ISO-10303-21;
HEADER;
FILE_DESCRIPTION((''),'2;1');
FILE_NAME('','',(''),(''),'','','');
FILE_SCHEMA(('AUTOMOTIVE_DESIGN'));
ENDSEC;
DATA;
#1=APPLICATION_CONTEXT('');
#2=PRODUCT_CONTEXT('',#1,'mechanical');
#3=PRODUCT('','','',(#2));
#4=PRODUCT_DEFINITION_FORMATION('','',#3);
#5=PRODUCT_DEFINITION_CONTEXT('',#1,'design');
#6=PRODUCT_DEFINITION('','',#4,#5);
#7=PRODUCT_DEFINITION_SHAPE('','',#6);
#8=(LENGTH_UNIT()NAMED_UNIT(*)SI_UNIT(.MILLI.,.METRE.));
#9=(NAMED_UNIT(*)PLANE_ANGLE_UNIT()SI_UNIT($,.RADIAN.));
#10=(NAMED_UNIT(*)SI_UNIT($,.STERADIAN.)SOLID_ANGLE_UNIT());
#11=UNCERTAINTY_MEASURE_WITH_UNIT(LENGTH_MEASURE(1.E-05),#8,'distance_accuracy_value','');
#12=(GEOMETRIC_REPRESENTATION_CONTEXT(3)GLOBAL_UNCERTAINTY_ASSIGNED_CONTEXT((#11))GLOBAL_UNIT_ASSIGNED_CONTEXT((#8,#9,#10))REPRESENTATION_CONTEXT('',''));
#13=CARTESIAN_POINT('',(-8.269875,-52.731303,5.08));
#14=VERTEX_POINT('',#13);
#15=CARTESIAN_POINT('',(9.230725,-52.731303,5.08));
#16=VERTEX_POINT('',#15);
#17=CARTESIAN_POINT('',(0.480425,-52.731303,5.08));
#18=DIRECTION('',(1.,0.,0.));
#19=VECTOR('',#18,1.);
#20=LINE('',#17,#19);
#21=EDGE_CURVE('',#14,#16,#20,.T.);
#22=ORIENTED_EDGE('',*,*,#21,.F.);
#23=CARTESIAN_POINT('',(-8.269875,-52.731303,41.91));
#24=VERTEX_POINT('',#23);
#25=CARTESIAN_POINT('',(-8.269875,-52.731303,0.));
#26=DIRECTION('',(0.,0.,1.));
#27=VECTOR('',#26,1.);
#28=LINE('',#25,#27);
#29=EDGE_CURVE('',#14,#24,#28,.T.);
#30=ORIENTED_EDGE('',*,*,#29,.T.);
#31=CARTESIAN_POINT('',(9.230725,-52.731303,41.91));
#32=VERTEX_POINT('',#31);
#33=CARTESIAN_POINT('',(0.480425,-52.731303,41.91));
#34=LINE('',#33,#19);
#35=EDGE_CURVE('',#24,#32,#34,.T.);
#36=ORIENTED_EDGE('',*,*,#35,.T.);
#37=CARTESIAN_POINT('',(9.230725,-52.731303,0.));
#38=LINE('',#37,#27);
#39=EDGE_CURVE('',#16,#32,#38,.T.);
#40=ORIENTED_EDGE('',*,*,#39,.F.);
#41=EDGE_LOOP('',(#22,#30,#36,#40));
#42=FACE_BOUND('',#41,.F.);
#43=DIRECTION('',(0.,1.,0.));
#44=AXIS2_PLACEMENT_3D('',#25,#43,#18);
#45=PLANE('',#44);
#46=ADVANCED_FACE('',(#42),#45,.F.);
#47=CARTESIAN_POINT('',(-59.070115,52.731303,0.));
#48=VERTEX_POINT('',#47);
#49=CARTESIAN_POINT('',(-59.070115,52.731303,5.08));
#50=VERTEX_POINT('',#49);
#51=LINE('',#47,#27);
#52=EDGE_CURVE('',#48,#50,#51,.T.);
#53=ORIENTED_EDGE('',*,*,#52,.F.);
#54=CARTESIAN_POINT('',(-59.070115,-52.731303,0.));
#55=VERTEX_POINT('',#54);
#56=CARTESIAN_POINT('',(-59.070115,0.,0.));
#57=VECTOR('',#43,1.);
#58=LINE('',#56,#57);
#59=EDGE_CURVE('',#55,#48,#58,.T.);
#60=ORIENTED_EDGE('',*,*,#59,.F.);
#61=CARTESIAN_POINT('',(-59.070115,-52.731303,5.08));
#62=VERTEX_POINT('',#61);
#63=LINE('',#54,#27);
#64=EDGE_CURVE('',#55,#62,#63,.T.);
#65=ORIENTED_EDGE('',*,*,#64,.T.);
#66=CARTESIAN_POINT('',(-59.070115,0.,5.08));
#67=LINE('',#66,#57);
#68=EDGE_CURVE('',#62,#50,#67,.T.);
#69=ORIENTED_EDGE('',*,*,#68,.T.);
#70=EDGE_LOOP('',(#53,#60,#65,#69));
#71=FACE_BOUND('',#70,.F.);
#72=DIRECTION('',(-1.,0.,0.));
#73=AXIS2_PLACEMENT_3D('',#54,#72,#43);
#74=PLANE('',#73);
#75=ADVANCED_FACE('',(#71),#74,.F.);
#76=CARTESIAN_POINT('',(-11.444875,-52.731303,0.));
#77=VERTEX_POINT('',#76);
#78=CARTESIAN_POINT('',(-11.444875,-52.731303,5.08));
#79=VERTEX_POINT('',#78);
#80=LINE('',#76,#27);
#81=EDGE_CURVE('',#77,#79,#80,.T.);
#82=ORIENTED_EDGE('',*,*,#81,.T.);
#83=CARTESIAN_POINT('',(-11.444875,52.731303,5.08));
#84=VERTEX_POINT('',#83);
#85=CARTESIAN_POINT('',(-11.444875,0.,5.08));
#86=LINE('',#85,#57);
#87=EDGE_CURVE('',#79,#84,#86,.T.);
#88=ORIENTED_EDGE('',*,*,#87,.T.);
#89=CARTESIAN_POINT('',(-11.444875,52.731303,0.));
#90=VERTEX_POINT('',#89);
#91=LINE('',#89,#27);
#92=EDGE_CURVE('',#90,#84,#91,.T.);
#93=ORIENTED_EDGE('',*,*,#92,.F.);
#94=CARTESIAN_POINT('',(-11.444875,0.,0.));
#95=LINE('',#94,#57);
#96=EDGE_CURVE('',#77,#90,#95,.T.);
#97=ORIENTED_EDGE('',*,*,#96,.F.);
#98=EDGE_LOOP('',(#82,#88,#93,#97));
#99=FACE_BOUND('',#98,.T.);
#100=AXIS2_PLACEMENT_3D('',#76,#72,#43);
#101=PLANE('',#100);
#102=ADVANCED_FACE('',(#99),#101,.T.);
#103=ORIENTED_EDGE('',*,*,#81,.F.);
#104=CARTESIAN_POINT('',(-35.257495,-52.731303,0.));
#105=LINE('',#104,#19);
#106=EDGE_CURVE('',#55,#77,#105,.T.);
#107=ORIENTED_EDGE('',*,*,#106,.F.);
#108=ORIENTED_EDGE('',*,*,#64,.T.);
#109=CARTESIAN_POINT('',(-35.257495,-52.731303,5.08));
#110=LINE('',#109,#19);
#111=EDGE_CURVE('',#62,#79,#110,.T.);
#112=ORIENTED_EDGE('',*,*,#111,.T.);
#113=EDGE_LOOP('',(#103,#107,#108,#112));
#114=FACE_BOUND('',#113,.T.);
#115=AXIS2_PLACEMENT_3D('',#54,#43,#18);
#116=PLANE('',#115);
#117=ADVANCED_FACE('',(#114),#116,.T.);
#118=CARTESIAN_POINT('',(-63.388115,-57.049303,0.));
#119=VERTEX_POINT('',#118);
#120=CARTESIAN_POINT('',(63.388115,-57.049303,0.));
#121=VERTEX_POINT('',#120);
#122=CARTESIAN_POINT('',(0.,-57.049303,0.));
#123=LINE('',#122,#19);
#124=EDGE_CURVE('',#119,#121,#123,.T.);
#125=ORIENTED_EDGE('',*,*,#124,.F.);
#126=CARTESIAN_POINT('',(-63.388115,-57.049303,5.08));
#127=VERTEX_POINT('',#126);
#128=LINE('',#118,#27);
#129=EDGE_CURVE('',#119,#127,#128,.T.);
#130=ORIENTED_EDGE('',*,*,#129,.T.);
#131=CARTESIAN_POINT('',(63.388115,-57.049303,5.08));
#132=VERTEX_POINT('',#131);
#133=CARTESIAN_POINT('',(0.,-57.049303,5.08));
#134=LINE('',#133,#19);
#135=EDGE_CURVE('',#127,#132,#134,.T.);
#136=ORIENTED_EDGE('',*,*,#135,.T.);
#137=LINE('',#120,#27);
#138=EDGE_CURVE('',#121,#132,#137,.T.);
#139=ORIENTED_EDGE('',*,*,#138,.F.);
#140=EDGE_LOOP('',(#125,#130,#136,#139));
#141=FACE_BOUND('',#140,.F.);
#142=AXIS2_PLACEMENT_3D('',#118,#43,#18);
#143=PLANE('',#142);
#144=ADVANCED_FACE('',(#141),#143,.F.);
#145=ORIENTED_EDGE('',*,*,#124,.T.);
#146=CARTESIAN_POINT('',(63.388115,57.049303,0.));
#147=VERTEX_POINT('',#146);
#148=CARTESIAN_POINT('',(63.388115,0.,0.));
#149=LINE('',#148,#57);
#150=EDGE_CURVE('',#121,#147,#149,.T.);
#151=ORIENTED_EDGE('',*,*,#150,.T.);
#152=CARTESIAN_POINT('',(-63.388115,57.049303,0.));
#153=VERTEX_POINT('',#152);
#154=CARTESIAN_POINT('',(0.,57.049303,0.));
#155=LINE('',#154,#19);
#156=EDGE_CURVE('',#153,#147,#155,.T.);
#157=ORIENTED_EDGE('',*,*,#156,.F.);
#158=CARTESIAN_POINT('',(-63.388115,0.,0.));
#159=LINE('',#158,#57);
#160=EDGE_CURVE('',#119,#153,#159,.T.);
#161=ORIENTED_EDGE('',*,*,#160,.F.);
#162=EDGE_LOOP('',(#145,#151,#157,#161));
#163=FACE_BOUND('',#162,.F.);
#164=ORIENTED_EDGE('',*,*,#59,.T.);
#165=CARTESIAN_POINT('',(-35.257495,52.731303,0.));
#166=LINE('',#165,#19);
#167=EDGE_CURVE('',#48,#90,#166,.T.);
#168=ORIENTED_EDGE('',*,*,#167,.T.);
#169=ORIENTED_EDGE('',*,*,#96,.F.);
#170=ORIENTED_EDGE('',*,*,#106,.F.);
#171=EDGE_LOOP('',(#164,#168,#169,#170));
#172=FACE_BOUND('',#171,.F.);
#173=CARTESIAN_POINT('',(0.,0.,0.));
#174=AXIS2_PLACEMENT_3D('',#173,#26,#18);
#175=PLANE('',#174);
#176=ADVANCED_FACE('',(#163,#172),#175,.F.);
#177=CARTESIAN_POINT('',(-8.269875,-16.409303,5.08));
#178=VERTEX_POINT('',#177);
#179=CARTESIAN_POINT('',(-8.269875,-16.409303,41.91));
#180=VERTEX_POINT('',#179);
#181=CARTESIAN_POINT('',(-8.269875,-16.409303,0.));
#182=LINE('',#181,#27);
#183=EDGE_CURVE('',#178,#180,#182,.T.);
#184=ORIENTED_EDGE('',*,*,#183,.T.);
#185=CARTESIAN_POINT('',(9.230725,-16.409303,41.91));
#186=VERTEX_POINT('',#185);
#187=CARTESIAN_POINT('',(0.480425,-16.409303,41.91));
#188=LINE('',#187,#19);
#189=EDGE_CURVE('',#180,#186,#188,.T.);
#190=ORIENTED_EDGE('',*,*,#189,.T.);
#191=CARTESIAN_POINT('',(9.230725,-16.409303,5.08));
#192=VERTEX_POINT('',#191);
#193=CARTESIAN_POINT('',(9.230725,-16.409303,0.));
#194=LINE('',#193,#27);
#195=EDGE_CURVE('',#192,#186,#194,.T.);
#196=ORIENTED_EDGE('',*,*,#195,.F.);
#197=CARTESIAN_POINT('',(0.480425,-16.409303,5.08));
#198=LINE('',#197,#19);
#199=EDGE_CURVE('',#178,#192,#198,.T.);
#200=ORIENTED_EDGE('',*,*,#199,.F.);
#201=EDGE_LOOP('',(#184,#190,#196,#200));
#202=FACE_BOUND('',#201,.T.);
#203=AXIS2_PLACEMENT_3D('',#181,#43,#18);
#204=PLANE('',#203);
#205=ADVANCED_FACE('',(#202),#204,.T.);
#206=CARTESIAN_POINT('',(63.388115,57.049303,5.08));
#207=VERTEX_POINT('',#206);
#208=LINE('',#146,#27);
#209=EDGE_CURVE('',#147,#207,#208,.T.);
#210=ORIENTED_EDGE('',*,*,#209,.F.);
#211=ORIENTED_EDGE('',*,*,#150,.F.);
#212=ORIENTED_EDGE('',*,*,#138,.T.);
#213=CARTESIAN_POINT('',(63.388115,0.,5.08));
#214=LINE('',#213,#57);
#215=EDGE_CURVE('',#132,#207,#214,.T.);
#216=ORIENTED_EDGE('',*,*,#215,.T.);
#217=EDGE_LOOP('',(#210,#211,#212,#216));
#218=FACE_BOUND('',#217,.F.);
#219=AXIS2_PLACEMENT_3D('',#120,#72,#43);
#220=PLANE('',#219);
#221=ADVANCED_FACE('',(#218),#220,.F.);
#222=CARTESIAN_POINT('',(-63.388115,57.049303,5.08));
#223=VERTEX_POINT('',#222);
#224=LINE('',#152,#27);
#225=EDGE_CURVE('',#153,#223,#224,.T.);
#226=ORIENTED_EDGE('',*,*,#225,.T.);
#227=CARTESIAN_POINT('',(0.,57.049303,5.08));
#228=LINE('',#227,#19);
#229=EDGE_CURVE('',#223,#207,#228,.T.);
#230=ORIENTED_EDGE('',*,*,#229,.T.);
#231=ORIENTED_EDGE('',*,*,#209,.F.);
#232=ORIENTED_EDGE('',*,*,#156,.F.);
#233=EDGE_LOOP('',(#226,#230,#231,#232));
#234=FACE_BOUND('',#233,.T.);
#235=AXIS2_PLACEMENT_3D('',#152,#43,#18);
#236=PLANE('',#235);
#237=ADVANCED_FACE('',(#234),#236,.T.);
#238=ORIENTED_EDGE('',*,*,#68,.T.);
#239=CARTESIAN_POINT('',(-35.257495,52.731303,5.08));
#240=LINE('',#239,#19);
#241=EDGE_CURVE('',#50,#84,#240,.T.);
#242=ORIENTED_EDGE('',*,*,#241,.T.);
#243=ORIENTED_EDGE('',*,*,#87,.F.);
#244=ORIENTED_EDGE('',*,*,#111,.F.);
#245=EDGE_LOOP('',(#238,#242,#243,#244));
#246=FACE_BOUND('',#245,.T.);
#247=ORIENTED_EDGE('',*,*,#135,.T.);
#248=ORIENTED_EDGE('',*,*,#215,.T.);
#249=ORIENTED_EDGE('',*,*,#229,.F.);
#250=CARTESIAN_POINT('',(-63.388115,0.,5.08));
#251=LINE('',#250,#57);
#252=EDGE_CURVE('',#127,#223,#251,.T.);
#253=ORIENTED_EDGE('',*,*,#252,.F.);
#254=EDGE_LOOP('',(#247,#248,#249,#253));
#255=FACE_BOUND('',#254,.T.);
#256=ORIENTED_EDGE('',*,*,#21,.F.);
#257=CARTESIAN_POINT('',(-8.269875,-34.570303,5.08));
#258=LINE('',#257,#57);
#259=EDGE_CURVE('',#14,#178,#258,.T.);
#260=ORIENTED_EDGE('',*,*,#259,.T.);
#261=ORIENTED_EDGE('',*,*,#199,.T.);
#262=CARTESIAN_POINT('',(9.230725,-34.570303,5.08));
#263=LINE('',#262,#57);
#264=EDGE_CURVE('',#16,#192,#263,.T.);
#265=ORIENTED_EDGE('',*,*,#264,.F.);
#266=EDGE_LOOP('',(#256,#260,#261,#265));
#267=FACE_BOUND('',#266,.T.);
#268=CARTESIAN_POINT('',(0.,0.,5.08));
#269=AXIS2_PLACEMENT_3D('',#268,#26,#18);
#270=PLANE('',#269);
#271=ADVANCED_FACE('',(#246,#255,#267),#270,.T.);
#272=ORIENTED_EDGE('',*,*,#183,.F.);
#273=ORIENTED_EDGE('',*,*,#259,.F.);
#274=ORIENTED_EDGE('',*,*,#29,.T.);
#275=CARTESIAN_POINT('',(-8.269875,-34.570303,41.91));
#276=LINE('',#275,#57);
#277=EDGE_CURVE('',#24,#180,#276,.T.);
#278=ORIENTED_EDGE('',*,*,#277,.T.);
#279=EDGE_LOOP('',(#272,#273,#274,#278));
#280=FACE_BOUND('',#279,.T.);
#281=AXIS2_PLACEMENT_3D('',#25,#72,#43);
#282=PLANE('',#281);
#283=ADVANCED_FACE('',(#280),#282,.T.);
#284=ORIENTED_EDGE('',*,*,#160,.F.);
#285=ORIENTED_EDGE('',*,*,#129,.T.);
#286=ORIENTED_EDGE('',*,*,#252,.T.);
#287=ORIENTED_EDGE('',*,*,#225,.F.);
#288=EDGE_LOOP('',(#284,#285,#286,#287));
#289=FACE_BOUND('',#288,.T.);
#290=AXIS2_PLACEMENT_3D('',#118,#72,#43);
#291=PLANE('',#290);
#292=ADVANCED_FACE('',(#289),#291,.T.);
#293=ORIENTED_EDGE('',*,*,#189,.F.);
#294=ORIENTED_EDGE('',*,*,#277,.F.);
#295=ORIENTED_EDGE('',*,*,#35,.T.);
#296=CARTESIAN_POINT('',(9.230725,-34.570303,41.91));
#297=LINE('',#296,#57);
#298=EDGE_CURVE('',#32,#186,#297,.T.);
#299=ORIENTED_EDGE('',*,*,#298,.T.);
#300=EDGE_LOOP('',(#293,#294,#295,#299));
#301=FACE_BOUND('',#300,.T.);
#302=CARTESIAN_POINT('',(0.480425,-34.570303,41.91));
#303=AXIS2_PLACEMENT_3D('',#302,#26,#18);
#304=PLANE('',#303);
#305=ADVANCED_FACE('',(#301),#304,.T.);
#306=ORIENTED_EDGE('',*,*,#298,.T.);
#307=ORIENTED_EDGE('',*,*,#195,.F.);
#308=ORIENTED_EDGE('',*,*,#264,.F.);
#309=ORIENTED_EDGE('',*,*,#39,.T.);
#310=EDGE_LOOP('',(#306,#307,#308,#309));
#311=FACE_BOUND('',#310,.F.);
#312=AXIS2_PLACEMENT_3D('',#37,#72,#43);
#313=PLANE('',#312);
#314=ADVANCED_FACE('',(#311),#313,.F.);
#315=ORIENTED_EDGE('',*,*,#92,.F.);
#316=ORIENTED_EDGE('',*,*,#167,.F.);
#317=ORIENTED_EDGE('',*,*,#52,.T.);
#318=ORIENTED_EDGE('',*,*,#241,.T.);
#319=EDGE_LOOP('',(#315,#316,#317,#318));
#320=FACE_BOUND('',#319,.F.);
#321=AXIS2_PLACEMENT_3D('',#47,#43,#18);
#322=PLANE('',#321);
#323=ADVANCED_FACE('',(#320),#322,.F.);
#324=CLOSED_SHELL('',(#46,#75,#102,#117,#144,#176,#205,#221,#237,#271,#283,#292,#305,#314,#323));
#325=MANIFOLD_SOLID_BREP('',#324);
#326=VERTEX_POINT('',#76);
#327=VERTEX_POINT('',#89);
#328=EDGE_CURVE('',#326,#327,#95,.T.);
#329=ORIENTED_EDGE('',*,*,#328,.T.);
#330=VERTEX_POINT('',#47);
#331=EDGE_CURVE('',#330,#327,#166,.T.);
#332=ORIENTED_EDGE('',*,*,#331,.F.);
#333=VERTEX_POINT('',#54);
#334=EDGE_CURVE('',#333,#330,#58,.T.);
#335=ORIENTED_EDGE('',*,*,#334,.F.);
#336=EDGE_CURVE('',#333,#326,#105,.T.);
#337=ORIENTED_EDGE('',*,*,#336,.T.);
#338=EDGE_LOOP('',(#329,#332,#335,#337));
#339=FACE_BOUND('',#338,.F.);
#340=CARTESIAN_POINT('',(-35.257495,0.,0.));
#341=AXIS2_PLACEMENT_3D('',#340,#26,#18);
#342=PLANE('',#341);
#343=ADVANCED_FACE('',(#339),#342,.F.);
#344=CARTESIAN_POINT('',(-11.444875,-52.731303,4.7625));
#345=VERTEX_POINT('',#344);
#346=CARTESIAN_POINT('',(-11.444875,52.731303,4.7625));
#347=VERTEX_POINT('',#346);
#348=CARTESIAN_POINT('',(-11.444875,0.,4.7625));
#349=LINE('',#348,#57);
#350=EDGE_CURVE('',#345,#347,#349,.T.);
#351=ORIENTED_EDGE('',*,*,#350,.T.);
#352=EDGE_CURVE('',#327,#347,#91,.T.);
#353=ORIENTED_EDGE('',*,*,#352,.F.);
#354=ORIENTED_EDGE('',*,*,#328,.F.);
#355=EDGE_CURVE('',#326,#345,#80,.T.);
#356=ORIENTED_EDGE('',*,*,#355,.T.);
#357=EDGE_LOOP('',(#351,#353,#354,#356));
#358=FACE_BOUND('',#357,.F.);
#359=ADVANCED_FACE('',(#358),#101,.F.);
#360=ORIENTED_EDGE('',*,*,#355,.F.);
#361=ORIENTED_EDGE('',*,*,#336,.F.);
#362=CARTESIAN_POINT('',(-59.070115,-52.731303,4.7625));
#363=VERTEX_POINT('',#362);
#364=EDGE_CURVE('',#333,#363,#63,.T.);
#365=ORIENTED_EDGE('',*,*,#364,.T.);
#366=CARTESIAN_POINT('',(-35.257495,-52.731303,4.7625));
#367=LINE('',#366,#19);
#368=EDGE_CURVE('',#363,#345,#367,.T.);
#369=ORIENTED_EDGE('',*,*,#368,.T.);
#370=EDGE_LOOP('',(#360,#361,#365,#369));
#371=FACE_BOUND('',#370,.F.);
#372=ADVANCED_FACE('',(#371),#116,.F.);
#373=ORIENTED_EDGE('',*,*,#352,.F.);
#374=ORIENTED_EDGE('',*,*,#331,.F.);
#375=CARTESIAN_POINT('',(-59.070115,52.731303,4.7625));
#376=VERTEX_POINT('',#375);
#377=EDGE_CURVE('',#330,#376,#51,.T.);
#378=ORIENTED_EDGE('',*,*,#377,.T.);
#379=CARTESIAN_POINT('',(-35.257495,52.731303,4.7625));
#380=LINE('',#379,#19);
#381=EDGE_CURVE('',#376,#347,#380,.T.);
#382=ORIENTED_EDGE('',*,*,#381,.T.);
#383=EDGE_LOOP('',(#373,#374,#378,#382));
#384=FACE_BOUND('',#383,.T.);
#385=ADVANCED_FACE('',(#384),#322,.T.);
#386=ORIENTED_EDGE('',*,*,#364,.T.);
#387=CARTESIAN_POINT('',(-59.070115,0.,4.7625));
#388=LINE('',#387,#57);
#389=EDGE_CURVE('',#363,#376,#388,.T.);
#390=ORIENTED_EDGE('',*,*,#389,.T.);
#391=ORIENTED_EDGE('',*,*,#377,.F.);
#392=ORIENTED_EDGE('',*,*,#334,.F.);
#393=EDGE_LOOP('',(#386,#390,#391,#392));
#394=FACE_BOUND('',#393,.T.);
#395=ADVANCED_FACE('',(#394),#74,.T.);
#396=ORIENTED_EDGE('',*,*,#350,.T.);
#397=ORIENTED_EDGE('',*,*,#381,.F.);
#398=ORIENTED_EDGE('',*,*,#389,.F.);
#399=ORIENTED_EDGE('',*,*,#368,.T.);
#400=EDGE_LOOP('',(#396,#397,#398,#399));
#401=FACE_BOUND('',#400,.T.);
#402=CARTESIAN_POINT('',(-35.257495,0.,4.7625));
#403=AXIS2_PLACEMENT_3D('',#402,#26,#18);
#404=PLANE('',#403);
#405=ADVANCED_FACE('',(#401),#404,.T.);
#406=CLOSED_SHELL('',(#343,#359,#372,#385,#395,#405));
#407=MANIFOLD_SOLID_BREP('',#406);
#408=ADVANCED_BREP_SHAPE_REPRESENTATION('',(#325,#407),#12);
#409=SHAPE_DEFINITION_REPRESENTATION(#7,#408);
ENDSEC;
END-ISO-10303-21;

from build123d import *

# Parameters (mm, degrees)
F0_W     = 17.5006
F0_H     = 36.322
F1_DEPTH = 41.91
F0_W_2   = 126.77623
F0_H_2   = 114.098606
F0_W_3   = 47.62524
F0_H_3   = 105.462606
F2_DEPTH = 5.08
F0_W_4   = 41.27524
F0_H_4   = 99.112606
F3_DEPTH = 41.911
F4_DEPTH = 4.7625


with BuildPart() as f1:
    # F0 (on Top) → F1 (new body)
    with BuildSketch(Plane.XY):
        with Locations((0.480425, -34.570303)):
            Rectangle(F0_W, F0_H)
    extrude(amount=F1_DEPTH)

    # F0 (on Top) → F2 (join)
    with BuildSketch(Plane.XY):
        Rectangle(F0_W_2, F0_H_2)
        with Locations((0.480425, -34.570303)):
            Rectangle(F0_W, F0_H, mode=Mode.SUBTRACT)
        with Locations((-35.257495, 0)):
            Rectangle(F0_W_3, F0_H_3, mode=Mode.SUBTRACT)
    extrude(amount=F2_DEPTH)

    # F0 (on Top) → F3 (cut, through all)
    with BuildSketch(Plane.XY):
        with Locations((-35.257495, 0)):
            Rectangle(F0_W_4, F0_H_4)
    extrude(amount=F3_DEPTH, mode=Mode.SUBTRACT)


with BuildPart() as f4:
    # F0 (on Top) → F4 (new body)
    with BuildSketch(Plane.XY):
        with Locations((-35.257495, 0)):
            Rectangle(F0_W_3, F0_H_3)
        with Locations((-35.257495, 0)):
            Rectangle(F0_W_4, F0_H_4, mode=Mode.SUBTRACT)
        with Locations((-35.257495, 0)):
            Rectangle(F0_W_4, F0_H_4)
    extrude(amount=F4_DEPTH)


solid = Compound([f1.part, f4.part])
